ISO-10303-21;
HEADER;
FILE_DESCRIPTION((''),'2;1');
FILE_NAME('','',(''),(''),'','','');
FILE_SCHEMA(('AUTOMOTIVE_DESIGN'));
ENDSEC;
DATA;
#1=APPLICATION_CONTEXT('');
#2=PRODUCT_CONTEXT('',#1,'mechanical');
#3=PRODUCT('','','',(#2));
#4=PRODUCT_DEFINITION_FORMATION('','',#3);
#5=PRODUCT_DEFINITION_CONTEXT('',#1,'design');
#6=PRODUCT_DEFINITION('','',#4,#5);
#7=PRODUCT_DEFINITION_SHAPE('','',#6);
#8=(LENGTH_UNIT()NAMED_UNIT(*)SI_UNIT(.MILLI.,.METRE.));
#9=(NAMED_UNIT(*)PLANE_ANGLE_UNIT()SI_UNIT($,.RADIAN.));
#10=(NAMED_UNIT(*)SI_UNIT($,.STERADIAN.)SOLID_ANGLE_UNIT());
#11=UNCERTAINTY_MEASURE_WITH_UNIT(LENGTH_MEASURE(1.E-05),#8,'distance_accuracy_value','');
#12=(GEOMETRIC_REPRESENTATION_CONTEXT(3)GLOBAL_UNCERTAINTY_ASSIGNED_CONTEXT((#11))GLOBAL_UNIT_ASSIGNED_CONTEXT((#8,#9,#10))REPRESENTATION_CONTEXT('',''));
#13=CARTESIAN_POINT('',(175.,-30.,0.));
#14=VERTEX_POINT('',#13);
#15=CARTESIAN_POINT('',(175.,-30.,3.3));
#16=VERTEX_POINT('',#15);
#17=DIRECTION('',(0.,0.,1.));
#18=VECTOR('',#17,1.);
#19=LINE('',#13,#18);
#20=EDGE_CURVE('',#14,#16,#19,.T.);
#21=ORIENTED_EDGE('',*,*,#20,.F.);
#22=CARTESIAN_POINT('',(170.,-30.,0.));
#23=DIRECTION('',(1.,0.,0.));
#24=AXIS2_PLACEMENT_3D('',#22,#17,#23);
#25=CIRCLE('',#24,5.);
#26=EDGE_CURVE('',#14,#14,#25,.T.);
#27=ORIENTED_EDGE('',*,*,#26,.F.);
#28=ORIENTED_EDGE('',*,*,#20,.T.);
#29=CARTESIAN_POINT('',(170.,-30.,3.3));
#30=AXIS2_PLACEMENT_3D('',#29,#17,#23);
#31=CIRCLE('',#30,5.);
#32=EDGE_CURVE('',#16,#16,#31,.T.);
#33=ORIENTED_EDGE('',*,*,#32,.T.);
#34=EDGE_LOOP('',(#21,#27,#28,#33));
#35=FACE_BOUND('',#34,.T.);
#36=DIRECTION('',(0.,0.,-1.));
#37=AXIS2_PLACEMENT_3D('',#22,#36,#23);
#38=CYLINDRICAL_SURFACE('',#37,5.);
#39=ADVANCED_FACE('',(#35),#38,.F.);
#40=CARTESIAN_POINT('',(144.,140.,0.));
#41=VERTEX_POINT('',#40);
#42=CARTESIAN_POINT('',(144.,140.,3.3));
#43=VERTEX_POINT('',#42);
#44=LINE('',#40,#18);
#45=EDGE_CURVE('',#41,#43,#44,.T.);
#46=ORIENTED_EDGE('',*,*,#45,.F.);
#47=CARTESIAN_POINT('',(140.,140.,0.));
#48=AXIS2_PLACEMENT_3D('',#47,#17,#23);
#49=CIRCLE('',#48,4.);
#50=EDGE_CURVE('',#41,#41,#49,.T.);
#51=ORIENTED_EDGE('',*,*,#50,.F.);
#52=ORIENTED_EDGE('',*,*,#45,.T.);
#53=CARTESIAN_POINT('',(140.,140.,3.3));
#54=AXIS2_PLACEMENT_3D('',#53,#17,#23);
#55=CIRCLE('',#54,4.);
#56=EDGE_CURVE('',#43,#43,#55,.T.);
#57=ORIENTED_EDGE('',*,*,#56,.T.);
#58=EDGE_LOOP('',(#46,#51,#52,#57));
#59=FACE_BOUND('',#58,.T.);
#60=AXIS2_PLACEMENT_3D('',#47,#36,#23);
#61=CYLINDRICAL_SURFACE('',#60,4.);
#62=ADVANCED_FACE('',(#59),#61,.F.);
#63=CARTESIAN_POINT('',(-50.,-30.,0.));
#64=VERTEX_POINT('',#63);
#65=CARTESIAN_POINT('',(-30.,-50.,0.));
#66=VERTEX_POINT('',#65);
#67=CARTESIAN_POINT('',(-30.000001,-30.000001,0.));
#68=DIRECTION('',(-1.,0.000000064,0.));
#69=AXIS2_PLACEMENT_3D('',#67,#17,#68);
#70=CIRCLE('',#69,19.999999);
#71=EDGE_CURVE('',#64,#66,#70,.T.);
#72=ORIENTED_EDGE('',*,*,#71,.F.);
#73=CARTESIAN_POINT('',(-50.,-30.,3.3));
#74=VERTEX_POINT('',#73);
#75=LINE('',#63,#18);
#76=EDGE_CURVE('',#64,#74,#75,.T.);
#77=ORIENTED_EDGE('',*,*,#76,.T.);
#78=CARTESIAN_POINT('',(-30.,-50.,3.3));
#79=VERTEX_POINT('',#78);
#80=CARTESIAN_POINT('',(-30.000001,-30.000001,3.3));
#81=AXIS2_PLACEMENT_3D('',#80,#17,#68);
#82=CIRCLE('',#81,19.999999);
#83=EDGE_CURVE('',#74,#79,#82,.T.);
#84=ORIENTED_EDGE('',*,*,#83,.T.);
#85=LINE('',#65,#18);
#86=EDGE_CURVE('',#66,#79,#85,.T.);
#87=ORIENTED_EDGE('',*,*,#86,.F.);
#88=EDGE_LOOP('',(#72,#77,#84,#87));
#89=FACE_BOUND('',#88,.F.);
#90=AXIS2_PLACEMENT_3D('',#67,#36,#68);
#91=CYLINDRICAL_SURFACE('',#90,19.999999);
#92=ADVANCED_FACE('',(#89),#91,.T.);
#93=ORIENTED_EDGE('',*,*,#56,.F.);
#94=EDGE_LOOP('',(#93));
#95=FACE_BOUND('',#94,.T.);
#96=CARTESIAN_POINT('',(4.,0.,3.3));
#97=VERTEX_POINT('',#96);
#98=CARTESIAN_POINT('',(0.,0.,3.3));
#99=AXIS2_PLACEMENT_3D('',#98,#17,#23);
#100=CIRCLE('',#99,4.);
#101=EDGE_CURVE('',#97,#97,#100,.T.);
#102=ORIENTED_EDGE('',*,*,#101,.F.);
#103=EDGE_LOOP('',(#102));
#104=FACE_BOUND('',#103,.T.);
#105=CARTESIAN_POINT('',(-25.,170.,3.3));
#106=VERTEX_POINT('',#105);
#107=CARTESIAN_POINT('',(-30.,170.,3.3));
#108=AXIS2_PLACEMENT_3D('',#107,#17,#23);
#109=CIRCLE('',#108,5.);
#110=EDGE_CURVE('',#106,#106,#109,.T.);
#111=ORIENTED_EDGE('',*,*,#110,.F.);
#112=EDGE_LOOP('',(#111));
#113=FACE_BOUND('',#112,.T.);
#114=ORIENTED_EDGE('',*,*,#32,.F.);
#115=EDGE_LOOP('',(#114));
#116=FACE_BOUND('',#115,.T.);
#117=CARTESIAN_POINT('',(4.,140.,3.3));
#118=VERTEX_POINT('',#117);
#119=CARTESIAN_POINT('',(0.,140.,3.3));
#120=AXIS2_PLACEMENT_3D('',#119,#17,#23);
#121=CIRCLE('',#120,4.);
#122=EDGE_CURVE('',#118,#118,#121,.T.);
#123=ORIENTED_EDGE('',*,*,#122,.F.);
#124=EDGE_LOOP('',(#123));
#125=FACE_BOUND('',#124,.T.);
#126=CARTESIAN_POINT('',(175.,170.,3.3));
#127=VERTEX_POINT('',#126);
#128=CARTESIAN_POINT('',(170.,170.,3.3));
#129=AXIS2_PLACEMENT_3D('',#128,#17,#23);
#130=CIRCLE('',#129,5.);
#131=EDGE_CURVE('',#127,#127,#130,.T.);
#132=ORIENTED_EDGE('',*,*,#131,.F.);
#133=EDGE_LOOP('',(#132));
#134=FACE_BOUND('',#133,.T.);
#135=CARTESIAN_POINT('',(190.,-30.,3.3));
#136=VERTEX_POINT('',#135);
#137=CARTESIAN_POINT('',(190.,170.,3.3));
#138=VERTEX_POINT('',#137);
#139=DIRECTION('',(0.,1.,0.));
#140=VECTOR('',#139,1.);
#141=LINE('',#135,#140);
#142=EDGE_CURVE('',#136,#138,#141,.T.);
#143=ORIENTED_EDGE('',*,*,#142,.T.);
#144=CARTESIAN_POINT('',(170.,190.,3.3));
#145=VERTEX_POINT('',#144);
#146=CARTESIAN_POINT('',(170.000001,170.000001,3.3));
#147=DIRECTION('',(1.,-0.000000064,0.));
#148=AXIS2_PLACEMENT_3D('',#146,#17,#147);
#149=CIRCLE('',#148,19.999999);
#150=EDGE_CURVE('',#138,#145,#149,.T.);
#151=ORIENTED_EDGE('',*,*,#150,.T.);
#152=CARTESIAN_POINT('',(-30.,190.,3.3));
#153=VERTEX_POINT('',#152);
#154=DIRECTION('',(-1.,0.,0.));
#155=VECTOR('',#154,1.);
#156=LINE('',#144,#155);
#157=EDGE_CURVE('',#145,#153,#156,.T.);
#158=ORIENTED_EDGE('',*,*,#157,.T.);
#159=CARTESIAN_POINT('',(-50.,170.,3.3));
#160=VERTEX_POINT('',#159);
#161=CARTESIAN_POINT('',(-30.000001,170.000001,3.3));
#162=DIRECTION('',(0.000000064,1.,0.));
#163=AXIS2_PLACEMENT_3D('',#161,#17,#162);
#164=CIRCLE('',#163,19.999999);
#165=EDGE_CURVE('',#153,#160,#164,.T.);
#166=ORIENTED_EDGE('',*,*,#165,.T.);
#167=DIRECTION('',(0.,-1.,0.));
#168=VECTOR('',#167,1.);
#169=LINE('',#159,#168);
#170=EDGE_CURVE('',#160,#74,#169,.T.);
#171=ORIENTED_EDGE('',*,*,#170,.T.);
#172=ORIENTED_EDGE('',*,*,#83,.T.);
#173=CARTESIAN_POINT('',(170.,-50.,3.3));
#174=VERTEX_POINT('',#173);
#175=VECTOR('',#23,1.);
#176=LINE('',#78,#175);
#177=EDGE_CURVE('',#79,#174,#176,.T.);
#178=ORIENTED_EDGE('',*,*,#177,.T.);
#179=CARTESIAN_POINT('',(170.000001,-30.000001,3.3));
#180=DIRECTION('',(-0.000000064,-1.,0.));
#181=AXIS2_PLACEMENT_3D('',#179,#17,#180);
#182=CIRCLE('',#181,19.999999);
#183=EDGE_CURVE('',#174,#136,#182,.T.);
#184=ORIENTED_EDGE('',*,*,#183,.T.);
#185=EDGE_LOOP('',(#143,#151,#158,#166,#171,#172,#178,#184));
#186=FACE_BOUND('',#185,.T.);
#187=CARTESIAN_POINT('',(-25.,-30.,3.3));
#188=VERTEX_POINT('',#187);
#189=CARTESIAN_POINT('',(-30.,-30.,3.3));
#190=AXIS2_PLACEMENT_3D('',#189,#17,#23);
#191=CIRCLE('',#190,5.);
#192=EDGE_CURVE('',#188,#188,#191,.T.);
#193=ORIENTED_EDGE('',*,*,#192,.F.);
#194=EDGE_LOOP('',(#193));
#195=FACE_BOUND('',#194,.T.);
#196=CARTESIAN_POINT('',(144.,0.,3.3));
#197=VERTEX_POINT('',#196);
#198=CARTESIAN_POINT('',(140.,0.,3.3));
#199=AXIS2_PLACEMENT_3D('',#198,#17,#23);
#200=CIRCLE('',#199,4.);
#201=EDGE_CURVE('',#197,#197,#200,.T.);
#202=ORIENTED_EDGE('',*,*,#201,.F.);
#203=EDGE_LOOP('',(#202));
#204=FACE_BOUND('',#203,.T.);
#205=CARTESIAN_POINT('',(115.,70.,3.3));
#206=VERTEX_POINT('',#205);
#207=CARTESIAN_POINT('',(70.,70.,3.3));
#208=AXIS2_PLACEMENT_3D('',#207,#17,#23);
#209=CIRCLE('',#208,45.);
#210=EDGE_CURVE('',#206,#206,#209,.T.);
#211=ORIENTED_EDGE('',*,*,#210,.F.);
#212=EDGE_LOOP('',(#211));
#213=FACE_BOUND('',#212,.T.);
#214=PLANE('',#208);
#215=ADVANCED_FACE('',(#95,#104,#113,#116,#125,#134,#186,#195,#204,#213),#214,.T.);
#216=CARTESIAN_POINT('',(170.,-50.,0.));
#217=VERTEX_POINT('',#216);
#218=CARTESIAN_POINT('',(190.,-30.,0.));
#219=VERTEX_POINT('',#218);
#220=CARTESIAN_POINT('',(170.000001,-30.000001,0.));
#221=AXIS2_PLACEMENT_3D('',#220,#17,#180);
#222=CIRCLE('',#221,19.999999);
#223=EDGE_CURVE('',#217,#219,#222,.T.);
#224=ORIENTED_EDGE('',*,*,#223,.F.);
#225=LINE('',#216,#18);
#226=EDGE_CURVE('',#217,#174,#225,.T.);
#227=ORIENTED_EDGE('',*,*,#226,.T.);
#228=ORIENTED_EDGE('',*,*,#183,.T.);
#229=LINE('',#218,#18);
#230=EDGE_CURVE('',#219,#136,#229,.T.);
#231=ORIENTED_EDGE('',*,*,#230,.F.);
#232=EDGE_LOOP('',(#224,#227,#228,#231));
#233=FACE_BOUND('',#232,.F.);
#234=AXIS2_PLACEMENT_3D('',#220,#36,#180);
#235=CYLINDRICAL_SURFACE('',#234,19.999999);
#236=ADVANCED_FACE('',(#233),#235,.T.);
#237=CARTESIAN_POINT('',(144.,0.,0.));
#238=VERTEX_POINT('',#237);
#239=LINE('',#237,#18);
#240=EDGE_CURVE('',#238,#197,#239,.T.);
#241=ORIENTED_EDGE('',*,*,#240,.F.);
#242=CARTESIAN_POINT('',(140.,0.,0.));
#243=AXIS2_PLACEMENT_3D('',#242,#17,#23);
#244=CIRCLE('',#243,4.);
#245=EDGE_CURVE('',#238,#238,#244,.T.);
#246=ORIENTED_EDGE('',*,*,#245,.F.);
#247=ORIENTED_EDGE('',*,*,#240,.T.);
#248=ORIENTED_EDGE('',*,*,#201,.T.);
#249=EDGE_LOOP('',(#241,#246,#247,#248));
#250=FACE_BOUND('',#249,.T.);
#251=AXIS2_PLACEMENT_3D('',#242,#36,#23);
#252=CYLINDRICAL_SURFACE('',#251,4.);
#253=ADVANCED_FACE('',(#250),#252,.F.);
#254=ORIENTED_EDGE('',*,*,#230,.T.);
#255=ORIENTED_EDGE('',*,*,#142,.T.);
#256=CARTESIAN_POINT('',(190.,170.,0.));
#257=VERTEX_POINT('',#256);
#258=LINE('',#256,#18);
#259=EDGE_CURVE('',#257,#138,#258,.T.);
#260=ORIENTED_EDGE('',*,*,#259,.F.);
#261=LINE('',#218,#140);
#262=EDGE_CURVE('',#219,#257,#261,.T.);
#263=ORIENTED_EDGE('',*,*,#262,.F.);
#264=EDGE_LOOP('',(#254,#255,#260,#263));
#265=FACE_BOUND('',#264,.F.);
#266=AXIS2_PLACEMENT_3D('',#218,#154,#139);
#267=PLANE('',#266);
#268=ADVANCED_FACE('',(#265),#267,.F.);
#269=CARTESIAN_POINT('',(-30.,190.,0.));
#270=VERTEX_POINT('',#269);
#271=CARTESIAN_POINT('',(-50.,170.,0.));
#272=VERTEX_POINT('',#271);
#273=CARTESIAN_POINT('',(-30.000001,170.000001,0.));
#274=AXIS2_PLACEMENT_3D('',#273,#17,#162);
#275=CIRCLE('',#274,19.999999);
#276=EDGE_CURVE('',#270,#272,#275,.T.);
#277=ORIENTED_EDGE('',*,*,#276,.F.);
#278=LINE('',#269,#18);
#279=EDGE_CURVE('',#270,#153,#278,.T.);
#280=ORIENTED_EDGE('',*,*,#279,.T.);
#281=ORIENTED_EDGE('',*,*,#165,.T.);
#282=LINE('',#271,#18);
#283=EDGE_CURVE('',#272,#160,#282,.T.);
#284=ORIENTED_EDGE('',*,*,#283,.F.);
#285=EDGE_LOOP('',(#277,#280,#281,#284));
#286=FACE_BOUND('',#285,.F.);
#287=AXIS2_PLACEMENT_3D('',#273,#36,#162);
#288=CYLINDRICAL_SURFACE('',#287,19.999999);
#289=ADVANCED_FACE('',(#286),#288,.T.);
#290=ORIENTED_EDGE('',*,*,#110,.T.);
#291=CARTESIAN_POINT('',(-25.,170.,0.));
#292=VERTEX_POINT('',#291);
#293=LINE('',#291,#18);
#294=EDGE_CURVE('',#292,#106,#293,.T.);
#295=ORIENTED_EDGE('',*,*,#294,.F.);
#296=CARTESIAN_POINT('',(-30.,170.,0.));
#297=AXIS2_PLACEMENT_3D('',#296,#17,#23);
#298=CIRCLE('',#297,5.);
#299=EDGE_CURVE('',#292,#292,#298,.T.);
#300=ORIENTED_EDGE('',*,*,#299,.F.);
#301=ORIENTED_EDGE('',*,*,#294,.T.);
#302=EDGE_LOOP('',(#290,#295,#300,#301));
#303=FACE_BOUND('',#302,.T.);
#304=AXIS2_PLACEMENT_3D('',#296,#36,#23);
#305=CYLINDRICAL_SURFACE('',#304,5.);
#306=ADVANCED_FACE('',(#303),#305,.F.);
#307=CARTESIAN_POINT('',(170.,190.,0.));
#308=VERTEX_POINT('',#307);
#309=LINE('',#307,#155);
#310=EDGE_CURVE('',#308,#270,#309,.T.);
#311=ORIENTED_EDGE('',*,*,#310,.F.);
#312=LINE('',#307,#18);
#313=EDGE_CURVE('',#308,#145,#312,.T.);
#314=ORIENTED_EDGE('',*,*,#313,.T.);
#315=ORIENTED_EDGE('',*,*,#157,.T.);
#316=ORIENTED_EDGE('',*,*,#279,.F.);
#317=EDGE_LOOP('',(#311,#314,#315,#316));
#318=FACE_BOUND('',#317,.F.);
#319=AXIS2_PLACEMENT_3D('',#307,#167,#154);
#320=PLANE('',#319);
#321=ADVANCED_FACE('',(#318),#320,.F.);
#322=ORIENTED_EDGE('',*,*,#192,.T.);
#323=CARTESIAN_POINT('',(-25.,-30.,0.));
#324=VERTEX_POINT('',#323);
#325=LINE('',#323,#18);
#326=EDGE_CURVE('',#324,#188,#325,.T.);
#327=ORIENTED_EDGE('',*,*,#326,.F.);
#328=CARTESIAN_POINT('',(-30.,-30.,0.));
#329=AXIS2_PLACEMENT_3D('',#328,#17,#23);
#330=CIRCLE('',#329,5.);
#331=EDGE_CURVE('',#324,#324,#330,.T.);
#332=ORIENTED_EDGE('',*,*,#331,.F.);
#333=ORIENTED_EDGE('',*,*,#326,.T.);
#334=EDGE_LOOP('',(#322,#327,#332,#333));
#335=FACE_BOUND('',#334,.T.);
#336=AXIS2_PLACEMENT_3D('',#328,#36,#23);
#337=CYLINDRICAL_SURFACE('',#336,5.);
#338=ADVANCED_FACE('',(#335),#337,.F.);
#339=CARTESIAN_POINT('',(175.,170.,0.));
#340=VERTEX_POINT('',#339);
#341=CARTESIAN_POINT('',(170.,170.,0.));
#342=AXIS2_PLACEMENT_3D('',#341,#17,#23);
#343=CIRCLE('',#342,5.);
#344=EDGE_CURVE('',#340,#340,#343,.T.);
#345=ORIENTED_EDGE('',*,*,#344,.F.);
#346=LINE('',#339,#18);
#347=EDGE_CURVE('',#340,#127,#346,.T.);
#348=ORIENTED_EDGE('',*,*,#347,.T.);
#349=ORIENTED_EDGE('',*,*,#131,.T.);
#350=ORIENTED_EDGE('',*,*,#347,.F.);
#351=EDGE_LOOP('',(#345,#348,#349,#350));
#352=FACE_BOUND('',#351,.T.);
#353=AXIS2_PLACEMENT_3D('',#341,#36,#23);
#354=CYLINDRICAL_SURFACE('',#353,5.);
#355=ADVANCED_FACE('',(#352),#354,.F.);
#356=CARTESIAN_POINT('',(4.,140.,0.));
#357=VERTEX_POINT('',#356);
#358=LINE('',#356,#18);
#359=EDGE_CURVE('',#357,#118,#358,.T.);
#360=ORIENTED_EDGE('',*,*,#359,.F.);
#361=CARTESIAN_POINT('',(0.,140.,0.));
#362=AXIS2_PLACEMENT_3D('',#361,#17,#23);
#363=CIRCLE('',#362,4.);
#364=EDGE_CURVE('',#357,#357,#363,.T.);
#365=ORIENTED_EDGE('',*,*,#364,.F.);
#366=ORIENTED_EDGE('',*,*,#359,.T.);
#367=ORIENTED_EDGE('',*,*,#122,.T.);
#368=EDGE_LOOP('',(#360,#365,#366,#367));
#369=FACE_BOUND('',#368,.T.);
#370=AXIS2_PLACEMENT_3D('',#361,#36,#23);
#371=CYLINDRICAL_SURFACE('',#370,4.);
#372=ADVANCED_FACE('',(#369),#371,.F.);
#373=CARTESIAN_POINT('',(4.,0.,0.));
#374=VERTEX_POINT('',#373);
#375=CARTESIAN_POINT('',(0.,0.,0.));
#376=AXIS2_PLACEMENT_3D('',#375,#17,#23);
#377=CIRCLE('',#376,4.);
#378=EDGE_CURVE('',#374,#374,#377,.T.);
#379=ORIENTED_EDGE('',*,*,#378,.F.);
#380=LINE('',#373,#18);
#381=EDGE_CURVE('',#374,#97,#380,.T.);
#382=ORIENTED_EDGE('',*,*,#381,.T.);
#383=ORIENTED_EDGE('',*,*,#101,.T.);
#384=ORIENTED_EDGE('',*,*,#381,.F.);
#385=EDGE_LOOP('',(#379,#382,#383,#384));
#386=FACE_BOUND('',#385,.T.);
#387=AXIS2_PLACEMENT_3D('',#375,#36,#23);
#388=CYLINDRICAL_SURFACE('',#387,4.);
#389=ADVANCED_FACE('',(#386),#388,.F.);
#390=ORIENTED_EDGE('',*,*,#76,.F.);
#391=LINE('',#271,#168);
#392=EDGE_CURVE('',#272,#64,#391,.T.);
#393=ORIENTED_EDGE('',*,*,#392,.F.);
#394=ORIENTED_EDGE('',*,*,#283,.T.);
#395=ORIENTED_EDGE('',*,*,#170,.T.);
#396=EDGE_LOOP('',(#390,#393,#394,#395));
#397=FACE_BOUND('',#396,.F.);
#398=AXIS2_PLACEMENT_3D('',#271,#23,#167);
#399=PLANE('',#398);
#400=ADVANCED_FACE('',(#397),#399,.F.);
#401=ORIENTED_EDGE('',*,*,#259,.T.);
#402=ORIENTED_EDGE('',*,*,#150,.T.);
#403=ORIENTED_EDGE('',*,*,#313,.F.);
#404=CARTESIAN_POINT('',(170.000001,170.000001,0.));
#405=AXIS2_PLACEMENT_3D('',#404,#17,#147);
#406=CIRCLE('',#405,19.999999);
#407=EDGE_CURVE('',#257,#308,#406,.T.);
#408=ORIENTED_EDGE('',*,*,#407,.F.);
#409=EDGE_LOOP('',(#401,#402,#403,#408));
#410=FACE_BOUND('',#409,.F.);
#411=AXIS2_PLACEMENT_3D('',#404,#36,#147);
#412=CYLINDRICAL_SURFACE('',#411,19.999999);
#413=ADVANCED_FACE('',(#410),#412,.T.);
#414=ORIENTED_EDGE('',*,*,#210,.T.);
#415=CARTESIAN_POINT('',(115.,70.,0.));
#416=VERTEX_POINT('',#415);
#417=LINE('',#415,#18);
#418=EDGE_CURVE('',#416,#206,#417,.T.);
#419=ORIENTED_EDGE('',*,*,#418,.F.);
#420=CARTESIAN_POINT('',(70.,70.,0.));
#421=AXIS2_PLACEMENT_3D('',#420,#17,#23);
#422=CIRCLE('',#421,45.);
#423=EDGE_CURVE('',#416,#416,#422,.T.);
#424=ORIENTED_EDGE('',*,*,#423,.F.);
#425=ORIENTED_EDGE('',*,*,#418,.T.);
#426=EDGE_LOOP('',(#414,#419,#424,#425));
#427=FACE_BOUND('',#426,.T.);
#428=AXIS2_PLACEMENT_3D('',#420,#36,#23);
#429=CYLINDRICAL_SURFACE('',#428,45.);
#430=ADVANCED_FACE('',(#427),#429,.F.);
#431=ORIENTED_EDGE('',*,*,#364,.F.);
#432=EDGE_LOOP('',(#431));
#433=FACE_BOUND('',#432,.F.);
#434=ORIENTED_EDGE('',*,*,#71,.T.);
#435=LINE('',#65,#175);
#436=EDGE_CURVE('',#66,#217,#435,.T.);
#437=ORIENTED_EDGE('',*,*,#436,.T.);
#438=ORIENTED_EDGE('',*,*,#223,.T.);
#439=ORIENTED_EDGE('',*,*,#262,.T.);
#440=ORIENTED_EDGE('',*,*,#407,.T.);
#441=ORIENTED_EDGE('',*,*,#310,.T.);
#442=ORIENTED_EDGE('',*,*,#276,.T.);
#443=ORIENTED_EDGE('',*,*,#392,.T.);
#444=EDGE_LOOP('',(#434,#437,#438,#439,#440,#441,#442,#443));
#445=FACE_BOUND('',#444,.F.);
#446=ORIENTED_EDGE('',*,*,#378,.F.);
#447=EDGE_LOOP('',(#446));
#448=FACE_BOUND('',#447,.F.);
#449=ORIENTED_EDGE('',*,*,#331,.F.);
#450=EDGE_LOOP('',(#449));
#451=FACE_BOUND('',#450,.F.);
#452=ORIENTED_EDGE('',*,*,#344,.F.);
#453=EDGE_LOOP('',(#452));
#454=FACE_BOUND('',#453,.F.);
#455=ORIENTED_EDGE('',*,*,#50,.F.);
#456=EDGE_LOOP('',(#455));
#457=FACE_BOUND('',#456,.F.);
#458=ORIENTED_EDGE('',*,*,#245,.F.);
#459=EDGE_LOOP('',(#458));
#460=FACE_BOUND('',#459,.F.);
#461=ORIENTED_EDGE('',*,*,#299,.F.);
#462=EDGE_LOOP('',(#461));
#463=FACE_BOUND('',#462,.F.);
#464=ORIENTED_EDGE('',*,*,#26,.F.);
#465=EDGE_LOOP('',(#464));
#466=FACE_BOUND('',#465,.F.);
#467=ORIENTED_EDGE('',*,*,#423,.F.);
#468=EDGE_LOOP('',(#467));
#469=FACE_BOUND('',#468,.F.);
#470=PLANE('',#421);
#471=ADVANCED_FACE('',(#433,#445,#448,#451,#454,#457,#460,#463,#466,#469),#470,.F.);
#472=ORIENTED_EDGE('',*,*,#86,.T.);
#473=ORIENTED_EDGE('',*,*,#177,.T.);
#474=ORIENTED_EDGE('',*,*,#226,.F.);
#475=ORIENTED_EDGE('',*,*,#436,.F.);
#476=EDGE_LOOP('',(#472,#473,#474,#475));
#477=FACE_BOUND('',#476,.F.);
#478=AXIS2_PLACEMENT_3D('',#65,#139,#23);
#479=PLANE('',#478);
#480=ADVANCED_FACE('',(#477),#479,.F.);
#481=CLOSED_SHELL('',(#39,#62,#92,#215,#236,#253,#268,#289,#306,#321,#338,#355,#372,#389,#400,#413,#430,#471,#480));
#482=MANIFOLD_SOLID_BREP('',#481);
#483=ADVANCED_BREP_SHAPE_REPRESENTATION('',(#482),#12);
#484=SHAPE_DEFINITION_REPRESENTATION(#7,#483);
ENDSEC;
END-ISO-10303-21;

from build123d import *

# Parameters (mm, degrees)
F0_R     = 5
F0_R_2   = 4
F0_R_3   = 45
F1_DEPTH = 3.3


with BuildPart() as f1:
    # F0 (on Top) → F1 (new body)
    with BuildSketch(Plane.XY):
        with BuildLine():
            Line((170, 190), (-30, 190))
            ThreePointArc((-30, 190), (-44.142136, 184.142136), (-50, 170))
            Line((-50, 170), (-50, -30))
            ThreePointArc((-50, -30), (-44.142136, -44.142136), (-30, -50))
            Line((-30, -50), (170, -50))
            ThreePointArc((170, -50), (184.142136, -44.142136), (190, -30))
            Line((190, -30), (190, 170))
            ThreePointArc((190, 170), (184.142136, 184.142136), (170, 190))
        make_face()
        with Locations((-30, -30)):
            Circle(F0_R, mode=Mode.SUBTRACT)
        Circle(F0_R_2, mode=Mode.SUBTRACT)
        with Locations((170, -30)):
            Circle(F0_R, mode=Mode.SUBTRACT)
        with Locations((140, 0)):
            Circle(F0_R_2, mode=Mode.SUBTRACT)
        with Locations((0, 140)):
            Circle(F0_R_2, mode=Mode.SUBTRACT)
        with Locations((-30, 170)):
            Circle(F0_R, mode=Mode.SUBTRACT)
        with Locations((70, 70)):
            Circle(F0_R_3, mode=Mode.SUBTRACT)
        with Locations((140, 140)):
            Circle(F0_R_2, mode=Mode.SUBTRACT)
        with Locations((170, 170)):
            Circle(F0_R, mode=Mode.SUBTRACT)
    extrude(amount=F1_DEPTH)


solid = f1.part
